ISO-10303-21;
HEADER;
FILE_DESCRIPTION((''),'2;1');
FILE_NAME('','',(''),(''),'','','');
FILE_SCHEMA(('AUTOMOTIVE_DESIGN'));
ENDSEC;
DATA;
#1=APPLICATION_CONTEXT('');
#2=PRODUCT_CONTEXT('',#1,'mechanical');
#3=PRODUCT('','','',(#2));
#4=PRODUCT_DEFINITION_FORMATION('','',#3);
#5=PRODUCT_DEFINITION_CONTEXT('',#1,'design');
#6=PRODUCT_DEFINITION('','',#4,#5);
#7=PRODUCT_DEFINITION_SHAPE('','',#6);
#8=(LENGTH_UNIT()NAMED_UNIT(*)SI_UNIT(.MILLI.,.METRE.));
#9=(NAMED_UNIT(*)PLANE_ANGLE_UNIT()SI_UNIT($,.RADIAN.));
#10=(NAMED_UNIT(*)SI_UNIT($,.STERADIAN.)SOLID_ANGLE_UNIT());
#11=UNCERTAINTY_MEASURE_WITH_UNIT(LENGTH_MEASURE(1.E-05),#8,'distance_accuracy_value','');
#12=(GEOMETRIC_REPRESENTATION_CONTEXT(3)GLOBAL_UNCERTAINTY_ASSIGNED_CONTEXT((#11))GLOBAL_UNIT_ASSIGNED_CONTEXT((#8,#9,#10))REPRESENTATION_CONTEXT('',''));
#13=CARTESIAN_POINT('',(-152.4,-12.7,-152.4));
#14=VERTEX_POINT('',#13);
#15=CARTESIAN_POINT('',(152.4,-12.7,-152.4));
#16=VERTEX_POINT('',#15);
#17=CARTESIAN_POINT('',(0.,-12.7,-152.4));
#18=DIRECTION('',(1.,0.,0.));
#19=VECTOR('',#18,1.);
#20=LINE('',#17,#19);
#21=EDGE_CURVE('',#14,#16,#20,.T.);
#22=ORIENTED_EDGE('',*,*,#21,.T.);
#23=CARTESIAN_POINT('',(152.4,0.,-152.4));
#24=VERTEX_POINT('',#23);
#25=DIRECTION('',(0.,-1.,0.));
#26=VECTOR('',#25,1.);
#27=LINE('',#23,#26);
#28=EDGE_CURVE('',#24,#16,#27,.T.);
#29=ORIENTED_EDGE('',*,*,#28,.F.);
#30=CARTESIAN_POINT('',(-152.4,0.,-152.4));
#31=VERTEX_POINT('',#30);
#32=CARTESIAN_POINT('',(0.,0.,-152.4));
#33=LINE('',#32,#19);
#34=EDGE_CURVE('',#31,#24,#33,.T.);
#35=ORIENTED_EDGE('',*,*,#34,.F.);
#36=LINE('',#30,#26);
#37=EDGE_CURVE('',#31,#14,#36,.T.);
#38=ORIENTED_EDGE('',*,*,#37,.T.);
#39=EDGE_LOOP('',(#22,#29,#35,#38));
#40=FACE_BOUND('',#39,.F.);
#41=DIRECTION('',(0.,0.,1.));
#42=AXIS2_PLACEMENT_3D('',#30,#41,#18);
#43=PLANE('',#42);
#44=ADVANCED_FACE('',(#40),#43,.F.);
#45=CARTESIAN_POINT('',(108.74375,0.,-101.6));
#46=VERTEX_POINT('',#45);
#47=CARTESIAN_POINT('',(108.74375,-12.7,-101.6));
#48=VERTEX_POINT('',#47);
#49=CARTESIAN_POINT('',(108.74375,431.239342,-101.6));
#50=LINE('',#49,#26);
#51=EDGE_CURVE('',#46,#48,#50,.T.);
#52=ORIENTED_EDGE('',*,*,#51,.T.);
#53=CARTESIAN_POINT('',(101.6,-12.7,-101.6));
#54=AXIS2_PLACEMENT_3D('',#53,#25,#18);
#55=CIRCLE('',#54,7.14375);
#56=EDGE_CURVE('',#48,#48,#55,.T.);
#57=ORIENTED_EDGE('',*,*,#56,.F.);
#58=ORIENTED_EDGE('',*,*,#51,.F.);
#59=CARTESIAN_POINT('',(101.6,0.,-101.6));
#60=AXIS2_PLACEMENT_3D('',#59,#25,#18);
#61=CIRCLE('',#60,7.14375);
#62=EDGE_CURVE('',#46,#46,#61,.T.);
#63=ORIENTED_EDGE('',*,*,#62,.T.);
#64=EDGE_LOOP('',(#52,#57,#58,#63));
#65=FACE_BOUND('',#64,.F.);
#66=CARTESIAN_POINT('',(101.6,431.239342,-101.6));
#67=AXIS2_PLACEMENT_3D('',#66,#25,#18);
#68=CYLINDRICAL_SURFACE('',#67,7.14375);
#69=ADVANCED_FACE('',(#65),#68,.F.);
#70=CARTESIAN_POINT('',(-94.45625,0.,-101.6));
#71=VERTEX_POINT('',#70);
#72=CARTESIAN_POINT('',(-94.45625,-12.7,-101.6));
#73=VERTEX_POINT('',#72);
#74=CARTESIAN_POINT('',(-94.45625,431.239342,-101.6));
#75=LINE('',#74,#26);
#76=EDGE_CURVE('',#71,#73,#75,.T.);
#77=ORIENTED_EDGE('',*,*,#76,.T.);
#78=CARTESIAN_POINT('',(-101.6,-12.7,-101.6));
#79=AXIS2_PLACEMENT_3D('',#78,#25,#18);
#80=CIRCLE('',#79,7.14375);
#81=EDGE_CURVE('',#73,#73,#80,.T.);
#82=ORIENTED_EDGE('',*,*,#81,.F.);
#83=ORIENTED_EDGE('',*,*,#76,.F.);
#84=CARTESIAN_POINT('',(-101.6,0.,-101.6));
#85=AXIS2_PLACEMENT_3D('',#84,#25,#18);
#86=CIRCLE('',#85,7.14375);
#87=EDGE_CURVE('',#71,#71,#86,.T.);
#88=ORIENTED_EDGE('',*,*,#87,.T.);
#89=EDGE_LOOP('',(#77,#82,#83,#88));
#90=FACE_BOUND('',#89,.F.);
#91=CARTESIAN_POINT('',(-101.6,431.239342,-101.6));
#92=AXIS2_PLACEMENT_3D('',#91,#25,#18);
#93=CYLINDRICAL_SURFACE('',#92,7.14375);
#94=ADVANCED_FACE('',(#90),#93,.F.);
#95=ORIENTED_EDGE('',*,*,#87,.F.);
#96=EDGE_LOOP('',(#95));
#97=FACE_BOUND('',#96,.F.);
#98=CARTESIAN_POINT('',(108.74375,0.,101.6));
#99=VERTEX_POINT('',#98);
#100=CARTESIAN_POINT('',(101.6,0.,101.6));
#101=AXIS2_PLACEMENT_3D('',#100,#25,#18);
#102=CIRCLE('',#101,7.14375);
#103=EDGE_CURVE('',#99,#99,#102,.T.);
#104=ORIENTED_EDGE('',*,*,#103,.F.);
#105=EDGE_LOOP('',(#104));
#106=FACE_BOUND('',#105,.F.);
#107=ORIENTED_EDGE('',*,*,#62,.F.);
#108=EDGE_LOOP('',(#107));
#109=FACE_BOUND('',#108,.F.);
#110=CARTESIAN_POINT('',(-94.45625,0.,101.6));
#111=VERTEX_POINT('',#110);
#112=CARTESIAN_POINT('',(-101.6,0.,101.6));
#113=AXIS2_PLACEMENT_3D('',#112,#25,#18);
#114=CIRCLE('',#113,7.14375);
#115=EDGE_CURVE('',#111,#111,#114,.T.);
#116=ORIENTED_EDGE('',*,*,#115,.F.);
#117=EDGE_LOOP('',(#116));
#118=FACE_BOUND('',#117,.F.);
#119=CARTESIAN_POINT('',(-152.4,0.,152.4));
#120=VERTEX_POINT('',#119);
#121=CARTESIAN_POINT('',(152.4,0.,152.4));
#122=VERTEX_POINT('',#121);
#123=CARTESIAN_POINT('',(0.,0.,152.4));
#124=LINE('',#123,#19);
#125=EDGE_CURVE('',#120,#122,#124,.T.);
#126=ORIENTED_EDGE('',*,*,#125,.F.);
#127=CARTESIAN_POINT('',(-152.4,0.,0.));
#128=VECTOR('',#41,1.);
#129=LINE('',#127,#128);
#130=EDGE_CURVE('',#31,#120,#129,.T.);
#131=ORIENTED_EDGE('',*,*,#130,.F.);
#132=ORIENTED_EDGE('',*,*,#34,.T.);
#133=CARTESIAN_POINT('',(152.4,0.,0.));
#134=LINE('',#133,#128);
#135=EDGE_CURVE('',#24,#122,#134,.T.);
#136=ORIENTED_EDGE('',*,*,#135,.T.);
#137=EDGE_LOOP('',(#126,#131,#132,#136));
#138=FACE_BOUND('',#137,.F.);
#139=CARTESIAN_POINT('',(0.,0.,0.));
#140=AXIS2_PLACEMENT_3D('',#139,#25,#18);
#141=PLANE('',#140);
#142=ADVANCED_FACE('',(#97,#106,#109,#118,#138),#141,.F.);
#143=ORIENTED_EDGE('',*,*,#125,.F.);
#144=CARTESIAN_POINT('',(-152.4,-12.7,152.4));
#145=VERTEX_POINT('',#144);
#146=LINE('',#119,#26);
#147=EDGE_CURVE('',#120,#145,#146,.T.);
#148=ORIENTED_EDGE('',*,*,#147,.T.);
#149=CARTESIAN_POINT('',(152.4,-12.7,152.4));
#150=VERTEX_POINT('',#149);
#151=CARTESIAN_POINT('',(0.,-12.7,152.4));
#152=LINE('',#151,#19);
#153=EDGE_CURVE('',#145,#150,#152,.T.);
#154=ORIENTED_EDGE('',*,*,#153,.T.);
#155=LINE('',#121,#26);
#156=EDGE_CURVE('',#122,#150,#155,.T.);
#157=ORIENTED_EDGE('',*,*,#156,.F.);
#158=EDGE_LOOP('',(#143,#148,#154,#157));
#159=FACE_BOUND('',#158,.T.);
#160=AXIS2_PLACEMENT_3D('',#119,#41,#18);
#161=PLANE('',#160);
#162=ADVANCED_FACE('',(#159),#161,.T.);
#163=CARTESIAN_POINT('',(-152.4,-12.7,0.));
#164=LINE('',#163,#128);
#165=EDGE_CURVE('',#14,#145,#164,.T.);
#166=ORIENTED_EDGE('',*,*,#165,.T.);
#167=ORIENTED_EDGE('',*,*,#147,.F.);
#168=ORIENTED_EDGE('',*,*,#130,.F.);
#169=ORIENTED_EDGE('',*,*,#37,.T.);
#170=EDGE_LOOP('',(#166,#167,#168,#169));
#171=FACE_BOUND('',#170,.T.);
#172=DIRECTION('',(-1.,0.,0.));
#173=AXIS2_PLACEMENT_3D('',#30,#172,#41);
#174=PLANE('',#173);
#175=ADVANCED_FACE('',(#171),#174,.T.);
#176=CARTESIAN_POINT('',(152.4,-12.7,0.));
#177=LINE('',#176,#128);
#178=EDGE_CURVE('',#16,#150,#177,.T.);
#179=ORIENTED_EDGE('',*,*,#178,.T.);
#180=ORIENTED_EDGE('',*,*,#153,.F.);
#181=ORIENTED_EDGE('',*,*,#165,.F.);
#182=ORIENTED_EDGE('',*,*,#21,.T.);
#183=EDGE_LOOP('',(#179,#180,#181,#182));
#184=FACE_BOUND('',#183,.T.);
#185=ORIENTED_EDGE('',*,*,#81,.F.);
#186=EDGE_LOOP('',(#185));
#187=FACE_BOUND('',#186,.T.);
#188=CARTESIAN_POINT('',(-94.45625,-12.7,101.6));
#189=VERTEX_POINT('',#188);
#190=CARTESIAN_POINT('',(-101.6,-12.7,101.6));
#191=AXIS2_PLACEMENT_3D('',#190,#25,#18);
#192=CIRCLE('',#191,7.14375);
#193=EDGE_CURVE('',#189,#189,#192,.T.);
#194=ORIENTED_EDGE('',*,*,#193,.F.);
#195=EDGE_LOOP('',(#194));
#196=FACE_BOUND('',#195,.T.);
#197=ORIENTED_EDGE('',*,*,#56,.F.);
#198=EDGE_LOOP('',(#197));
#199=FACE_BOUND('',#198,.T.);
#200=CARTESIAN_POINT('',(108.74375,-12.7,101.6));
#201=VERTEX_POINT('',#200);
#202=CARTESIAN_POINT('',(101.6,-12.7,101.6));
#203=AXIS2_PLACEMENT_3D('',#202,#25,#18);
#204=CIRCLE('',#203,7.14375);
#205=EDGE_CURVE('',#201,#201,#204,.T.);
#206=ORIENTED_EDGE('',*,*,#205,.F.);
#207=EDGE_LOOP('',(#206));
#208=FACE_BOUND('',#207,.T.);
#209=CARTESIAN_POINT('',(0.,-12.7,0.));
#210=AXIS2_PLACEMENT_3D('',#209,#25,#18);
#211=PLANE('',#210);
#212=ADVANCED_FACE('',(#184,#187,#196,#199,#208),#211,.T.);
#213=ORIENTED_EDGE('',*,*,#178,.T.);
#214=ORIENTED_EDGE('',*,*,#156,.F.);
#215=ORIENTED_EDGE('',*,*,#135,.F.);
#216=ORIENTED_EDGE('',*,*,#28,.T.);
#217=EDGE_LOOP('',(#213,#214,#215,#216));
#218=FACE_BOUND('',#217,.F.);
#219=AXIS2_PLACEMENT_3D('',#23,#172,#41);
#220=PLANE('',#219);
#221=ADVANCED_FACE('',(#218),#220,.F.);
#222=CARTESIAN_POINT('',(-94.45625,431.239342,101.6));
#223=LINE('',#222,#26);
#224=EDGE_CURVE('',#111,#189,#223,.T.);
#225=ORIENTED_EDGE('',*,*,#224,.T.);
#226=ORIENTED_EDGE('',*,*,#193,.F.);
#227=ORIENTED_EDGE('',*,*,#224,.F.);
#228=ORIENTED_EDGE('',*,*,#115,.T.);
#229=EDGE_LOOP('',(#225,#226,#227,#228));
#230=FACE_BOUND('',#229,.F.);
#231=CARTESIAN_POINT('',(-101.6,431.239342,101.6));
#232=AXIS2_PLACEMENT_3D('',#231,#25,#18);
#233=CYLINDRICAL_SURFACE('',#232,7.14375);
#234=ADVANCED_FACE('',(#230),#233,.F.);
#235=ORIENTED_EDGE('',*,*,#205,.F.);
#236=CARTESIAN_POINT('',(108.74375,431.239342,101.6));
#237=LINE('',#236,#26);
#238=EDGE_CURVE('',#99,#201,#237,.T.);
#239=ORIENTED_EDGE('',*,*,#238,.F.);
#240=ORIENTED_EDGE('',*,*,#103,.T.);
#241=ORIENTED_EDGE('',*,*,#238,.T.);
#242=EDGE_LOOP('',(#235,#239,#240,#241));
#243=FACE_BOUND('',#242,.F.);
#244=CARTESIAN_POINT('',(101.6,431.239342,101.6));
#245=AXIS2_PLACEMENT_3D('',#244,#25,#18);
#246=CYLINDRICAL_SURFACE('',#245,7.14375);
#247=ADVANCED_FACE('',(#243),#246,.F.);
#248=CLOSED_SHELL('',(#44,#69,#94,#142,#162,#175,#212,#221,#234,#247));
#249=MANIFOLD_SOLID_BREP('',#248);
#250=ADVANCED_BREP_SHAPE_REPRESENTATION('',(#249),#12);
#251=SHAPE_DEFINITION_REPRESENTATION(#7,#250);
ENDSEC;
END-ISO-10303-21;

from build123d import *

# Parameters (mm, degrees)
F0_W     = 304.8
F0_H     = 304.8
F1_DEPTH = 12.7
F3_D     = 14.2875


with BuildPart() as f1:
    # F0 (on Front) → F1 (new body)
    with BuildSketch(Plane.XZ):
        Rectangle(F0_W, F0_H)
    extrude(amount=F1_DEPTH)

    # F3 (through all)
    with Locations(Plane(origin=(0, 0, 0), x_dir=(-1, 0, 0), z_dir=(0, 1, 0))):
        with Locations((-101.6, 101.6), (101.6, 101.6), (101.6, -101.6), (-101.6, -101.6)):
            Hole(F3_D / 2)


solid = f1.part
